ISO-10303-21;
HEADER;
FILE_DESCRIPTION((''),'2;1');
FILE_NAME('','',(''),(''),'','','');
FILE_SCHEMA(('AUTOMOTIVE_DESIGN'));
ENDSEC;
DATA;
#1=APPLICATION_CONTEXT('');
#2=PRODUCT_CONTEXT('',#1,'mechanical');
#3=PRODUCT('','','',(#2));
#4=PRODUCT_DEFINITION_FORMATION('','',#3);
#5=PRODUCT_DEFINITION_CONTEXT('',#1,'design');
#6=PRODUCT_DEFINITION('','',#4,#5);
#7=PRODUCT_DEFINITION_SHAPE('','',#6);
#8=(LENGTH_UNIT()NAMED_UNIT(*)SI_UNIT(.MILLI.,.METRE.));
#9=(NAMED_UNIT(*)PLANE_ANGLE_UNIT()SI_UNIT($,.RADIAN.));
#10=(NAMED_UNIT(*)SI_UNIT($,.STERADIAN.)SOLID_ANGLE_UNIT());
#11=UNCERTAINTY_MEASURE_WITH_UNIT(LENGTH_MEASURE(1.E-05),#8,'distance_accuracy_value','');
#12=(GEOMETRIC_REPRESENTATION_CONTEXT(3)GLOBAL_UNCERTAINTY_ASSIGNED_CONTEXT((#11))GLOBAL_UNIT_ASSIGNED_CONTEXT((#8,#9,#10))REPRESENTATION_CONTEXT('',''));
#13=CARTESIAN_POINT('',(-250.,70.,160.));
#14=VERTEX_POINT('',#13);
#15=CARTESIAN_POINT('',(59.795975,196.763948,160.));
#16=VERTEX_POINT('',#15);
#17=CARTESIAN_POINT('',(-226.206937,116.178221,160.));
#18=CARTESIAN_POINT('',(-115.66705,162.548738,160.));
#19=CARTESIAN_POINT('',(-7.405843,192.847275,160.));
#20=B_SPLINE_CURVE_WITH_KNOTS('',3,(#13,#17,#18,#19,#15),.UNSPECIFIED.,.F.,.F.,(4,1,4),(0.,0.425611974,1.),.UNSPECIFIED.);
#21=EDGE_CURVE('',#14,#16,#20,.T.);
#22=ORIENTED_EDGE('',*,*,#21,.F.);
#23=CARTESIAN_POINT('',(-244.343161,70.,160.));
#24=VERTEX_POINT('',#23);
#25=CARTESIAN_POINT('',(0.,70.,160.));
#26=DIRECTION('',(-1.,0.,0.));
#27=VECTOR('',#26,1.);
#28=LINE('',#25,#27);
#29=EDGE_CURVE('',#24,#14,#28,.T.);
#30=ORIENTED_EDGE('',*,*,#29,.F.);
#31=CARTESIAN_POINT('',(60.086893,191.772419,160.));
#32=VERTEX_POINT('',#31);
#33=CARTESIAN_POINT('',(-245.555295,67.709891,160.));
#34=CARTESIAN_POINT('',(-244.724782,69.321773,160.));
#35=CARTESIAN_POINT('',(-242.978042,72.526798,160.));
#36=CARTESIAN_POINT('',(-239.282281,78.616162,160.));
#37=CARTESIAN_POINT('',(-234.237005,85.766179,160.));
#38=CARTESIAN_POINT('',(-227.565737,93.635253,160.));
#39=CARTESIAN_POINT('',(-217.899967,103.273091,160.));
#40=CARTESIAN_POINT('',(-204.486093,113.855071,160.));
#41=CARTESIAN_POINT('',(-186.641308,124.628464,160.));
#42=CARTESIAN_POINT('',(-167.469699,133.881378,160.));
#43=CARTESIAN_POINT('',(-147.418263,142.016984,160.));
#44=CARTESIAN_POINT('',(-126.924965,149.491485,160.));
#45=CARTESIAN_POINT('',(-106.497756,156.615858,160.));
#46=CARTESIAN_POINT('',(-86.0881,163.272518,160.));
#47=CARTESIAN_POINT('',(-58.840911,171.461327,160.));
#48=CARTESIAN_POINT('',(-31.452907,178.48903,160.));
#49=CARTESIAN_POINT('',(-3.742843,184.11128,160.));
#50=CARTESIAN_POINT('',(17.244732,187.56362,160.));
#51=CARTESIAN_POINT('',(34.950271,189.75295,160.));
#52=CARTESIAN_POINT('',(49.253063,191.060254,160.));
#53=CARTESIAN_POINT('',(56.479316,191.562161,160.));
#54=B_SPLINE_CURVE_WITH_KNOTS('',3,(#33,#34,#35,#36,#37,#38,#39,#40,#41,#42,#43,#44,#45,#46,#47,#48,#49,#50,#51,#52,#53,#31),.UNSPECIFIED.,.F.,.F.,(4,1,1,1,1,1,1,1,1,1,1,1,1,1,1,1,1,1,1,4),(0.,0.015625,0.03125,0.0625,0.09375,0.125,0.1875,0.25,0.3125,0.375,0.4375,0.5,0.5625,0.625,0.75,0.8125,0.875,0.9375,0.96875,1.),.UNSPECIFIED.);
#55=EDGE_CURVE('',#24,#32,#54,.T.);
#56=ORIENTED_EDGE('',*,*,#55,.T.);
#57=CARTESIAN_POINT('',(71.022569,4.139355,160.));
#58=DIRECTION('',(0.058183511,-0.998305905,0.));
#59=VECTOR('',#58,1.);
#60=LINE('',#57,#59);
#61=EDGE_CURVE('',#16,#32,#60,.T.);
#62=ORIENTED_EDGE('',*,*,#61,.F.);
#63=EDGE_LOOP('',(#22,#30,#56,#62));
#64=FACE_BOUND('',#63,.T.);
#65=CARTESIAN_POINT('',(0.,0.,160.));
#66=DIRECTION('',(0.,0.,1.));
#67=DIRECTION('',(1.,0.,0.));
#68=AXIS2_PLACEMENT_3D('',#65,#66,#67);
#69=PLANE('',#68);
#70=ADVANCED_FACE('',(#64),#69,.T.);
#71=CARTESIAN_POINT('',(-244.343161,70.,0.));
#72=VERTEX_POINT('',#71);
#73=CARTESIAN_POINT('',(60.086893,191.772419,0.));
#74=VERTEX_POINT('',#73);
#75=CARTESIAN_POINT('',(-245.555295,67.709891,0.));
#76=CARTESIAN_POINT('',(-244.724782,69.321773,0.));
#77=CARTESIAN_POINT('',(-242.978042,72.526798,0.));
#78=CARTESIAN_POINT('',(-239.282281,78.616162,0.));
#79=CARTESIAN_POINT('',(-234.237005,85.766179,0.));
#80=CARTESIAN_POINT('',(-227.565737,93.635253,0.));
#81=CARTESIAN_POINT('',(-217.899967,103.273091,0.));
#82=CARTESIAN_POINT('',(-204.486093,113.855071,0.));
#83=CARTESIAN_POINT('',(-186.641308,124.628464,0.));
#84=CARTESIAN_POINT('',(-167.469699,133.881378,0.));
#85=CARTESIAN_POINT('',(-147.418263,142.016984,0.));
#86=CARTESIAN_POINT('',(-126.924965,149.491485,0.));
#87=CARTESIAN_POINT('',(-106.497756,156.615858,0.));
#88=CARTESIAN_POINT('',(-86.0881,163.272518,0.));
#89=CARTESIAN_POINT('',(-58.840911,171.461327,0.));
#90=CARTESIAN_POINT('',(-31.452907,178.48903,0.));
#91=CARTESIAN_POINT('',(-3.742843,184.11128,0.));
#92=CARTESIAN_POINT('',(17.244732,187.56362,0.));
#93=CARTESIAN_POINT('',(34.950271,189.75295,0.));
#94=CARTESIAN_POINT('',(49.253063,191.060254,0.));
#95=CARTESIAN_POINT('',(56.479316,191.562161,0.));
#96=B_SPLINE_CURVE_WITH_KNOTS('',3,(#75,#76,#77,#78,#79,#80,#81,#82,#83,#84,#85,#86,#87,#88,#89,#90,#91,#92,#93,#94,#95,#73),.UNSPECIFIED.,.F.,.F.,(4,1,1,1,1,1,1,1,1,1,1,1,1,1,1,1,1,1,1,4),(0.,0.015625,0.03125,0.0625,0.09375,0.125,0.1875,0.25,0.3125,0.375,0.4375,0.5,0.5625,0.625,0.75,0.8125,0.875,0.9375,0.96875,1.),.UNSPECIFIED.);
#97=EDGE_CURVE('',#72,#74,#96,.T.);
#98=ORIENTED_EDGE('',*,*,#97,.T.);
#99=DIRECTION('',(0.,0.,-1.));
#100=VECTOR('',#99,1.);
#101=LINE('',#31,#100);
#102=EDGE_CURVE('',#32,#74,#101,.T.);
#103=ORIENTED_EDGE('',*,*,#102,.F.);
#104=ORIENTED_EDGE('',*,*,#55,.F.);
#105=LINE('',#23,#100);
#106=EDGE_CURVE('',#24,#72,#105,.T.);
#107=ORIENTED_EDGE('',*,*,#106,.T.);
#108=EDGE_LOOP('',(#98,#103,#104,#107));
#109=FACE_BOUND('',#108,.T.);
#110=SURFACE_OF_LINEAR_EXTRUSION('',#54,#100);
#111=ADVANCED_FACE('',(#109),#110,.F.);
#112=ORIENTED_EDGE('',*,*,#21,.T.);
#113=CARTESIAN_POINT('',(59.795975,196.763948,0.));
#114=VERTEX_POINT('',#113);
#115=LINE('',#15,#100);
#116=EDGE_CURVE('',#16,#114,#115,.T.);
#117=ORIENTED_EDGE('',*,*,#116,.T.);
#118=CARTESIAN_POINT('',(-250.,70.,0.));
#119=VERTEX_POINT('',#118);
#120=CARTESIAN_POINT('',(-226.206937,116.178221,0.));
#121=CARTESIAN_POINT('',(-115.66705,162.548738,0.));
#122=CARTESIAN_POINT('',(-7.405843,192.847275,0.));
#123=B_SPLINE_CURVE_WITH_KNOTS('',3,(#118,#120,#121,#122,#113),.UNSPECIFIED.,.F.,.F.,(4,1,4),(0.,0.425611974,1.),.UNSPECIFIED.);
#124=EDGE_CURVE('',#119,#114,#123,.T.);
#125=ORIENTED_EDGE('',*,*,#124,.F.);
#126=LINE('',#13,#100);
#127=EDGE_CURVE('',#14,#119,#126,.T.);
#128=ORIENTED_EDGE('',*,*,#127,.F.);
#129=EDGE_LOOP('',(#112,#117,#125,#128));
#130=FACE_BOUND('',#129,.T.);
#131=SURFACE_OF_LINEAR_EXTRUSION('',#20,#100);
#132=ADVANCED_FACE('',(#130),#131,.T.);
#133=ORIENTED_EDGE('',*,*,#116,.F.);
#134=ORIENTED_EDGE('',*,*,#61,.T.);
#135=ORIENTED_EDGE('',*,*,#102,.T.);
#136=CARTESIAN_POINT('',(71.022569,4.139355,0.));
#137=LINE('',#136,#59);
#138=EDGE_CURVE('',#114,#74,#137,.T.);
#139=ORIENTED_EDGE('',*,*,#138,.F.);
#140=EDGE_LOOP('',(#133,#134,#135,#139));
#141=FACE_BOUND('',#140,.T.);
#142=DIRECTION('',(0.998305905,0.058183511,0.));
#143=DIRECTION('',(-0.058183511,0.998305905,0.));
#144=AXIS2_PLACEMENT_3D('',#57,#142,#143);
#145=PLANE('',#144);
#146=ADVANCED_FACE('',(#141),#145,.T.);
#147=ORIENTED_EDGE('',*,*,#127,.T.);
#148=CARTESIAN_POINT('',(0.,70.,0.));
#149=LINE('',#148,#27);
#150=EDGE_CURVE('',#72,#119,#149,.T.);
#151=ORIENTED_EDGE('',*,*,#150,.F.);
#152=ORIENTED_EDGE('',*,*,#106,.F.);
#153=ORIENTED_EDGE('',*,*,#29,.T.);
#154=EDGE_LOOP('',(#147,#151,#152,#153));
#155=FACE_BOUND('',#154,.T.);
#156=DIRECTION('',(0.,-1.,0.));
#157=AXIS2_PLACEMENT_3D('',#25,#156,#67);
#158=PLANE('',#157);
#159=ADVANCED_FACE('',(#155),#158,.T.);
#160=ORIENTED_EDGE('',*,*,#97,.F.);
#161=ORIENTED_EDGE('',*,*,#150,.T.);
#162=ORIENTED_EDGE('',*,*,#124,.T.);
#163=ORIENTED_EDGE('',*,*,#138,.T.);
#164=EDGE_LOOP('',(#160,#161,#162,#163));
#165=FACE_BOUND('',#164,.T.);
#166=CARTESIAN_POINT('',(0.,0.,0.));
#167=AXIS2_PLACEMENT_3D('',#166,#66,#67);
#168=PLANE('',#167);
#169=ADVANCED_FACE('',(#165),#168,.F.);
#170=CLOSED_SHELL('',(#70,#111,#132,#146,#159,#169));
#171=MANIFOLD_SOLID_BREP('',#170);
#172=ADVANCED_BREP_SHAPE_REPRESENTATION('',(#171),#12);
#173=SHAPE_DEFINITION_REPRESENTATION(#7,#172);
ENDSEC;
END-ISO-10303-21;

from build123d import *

# Parameters (mm, degrees)
BOSS_EXTRU_1_DEPTH = 160


with BuildPart() as part:
    # Esquisse1 → Boss.-Extru.1 (new body)
    with BuildSketch(Plane.XY):
        with BuildLine():
            add(Edge.make_bspline(
                [(-250, 70), (-226.206936908, 116.178220879), (-115.667050098, 162.54873767), (-7.405842959, 192.847275149), (59.79597522, 196.763948087)],
                knots=[0, 0, 0, 0, 0.425611974, 1, 1, 1, 1], degree=3))
            Line((-250, 70), (-244.343160897, 70))
            add(Edge.make_bspline(
                [(-244.343160897, 70), (-243.888335947, 70.836974692), (-242.538627574, 73.250803556), (-239.282280539, 78.616162041), (-234.237004509, 85.76617908), (-227.565736601, 93.635253213), (-217.899967362, 103.273091433), (-204.486092806, 113.855071148), (-186.641307768, 124.628463908), (-167.469699238, 133.881377828), (-147.418263217, 142.016984158), (-126.924965171, 149.491485063), (-106.497755999, 156.615857698), (-86.088100165, 163.272517902), (-58.840911202, 171.461327008), (-31.452907005, 178.489029557), (-3.742842968, 184.111280304), (17.244732348, 187.56362023), (34.950271462, 189.752949697), (49.253062669, 191.06025415), (56.4793158, 191.562160873), (60.086892774, 191.772418564)],
                knots=[0.007431049, 0.007431049, 0.007431049, 0.007431049, 0.015625, 0.03125, 0.0625, 0.09375, 0.125, 0.1875, 0.25, 0.3125, 0.375, 0.4375, 0.5, 0.5625, 0.625, 0.75, 0.8125, 0.875, 0.9375, 0.96875, 1, 1, 1, 1], degree=3))
            Line((60.086892774, 191.772418564), (59.79597522, 196.763948087))
        make_face()
    extrude(amount=BOSS_EXTRU_1_DEPTH)


solid = part.part
